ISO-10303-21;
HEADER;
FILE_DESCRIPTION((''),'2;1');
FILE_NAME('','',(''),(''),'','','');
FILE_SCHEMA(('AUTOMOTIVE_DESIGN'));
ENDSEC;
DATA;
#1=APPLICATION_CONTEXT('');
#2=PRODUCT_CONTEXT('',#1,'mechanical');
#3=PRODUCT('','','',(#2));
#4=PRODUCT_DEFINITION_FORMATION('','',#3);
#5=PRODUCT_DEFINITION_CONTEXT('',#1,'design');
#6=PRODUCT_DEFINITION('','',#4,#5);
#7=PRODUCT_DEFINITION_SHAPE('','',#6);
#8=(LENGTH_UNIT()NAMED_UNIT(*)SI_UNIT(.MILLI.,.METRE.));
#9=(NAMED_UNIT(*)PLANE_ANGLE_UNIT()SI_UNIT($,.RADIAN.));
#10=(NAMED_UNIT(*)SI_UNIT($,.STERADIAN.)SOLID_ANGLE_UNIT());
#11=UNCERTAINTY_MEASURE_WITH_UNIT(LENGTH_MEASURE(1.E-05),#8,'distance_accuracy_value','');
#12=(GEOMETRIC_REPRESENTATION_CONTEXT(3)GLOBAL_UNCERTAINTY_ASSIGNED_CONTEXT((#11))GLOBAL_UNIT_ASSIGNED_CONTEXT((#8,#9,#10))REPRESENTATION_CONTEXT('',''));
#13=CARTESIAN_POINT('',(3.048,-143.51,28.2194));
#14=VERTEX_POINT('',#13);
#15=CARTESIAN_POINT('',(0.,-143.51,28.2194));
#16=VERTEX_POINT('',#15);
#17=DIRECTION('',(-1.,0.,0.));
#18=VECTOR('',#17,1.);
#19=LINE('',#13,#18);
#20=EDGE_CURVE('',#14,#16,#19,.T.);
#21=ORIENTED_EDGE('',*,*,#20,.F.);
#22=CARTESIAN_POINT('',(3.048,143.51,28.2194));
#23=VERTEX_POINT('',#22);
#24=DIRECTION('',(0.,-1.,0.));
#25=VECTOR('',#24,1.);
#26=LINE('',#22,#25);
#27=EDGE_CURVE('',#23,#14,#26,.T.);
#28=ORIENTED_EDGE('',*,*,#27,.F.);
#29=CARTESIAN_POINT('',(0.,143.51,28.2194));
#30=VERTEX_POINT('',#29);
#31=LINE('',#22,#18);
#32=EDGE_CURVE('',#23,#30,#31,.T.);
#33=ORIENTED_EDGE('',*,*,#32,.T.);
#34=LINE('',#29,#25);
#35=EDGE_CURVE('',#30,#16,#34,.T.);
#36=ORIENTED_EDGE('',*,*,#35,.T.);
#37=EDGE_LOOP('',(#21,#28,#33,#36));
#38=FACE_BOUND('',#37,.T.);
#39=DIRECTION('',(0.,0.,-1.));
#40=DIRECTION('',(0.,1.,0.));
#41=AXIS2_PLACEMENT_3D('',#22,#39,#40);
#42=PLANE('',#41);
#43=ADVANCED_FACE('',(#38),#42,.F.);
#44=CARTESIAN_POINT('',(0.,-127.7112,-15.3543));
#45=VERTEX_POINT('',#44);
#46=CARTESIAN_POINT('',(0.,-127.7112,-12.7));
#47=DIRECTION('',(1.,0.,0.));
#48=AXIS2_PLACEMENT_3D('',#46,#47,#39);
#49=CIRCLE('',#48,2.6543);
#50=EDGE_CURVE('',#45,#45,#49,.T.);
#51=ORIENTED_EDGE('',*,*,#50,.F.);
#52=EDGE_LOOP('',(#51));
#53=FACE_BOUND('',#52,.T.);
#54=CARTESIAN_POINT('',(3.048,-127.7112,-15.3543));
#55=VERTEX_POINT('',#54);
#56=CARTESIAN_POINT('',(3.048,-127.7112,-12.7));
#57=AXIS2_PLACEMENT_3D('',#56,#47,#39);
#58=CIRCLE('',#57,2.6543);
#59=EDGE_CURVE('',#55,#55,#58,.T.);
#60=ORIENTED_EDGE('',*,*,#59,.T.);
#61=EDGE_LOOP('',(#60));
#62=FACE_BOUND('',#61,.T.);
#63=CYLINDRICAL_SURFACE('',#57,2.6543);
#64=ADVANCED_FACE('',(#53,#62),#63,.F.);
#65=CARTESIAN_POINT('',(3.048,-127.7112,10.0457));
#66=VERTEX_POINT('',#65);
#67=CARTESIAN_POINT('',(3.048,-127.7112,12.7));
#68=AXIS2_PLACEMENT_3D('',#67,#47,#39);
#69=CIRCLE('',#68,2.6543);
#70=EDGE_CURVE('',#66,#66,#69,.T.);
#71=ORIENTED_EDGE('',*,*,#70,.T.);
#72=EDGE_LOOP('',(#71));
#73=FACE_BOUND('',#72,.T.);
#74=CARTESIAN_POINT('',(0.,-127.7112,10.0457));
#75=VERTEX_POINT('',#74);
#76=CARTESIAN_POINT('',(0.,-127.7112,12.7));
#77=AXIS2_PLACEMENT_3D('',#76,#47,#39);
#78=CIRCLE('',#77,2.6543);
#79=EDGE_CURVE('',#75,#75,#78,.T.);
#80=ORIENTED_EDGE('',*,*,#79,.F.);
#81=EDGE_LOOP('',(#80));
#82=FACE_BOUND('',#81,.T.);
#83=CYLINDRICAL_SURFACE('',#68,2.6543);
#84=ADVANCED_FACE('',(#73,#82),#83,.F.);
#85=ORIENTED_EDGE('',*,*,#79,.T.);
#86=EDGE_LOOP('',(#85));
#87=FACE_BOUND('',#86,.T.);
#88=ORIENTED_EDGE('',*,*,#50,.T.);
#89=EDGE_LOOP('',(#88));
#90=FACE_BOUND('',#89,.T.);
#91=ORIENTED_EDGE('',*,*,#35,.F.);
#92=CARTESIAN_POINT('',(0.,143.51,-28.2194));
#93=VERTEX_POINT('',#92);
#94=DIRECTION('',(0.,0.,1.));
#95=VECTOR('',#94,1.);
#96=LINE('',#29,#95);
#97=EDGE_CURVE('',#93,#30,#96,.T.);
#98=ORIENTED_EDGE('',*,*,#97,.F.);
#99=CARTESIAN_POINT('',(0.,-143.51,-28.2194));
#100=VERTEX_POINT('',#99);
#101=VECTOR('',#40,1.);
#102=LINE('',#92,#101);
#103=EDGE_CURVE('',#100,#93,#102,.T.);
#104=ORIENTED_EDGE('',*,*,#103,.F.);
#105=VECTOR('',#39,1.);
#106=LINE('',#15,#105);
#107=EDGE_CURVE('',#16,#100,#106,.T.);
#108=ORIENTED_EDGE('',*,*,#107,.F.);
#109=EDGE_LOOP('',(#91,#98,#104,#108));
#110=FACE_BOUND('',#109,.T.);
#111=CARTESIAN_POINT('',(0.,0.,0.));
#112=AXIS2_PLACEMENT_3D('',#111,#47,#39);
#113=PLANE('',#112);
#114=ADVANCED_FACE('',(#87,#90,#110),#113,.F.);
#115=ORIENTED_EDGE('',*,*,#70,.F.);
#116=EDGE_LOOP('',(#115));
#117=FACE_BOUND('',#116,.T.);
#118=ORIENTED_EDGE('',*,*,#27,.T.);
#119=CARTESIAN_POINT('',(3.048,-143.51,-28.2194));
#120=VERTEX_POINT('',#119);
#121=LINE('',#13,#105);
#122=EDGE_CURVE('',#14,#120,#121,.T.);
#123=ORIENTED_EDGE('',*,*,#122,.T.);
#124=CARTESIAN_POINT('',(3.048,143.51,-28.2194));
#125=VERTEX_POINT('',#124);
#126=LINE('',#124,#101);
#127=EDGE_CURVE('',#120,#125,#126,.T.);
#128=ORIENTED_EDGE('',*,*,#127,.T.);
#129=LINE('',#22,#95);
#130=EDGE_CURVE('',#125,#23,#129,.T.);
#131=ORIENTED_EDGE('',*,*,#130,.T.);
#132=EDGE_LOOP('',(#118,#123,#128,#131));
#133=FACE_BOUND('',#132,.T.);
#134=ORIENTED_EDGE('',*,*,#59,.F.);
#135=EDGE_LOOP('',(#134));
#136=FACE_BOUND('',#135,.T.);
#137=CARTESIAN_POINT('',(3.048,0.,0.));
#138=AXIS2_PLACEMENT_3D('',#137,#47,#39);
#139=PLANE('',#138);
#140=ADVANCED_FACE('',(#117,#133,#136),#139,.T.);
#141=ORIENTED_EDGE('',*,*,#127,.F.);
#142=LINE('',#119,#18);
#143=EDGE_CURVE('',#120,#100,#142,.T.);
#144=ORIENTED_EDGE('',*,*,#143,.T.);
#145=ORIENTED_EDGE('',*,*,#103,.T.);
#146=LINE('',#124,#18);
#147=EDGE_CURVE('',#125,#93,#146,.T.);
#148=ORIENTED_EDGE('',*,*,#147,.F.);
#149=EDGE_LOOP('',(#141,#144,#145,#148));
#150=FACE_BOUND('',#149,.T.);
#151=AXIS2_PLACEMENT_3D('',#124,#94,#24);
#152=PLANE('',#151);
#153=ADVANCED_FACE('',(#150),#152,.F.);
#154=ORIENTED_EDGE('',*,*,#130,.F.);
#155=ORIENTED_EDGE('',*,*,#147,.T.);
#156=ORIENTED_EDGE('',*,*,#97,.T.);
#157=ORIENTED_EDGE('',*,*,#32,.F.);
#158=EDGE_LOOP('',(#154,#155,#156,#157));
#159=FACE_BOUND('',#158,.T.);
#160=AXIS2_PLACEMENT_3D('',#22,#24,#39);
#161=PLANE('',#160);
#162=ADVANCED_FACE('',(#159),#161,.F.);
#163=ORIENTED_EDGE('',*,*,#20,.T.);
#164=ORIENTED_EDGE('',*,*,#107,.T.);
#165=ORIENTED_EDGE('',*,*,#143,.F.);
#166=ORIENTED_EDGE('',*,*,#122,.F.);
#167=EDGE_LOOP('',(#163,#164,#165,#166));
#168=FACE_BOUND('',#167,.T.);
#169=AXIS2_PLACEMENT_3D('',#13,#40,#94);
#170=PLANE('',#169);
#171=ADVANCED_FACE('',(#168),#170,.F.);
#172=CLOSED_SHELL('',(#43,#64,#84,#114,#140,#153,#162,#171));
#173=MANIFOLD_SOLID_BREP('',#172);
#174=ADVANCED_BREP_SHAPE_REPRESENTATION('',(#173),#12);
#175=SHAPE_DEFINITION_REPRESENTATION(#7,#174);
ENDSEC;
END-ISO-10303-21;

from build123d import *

# Parameters (mm, degrees)
SKETCH1_W                  = 56.4388
SKETCH1_H                  = 287.02
BOSS_EXTRUDE1_DEPTH        = 3.048
F_4_0_209_DIAMETER_HOLE1_D = 5.3086


with BuildPart() as part:
    # Sketch1 → Boss-Extrude1 (new body)
    with BuildSketch(Plane(origin=(0, 0, 0), x_dir=(0, 0, -1), z_dir=(1, 0, 0))):
        Rectangle(SKETCH1_W, SKETCH1_H)
    extrude(amount=BOSS_EXTRUDE1_DEPTH)

    # #4 (0.209) Diameter Hole1 (through all)
    with Locations(Plane(origin=(3.048, 0, 0), x_dir=(0, 0, -1), z_dir=(1, 0, 0))):
        with Locations((-12.7, -127.7112), (12.7, -127.7112)):
            Hole(F_4_0_209_DIAMETER_HOLE1_D / 2)


solid = part.part
